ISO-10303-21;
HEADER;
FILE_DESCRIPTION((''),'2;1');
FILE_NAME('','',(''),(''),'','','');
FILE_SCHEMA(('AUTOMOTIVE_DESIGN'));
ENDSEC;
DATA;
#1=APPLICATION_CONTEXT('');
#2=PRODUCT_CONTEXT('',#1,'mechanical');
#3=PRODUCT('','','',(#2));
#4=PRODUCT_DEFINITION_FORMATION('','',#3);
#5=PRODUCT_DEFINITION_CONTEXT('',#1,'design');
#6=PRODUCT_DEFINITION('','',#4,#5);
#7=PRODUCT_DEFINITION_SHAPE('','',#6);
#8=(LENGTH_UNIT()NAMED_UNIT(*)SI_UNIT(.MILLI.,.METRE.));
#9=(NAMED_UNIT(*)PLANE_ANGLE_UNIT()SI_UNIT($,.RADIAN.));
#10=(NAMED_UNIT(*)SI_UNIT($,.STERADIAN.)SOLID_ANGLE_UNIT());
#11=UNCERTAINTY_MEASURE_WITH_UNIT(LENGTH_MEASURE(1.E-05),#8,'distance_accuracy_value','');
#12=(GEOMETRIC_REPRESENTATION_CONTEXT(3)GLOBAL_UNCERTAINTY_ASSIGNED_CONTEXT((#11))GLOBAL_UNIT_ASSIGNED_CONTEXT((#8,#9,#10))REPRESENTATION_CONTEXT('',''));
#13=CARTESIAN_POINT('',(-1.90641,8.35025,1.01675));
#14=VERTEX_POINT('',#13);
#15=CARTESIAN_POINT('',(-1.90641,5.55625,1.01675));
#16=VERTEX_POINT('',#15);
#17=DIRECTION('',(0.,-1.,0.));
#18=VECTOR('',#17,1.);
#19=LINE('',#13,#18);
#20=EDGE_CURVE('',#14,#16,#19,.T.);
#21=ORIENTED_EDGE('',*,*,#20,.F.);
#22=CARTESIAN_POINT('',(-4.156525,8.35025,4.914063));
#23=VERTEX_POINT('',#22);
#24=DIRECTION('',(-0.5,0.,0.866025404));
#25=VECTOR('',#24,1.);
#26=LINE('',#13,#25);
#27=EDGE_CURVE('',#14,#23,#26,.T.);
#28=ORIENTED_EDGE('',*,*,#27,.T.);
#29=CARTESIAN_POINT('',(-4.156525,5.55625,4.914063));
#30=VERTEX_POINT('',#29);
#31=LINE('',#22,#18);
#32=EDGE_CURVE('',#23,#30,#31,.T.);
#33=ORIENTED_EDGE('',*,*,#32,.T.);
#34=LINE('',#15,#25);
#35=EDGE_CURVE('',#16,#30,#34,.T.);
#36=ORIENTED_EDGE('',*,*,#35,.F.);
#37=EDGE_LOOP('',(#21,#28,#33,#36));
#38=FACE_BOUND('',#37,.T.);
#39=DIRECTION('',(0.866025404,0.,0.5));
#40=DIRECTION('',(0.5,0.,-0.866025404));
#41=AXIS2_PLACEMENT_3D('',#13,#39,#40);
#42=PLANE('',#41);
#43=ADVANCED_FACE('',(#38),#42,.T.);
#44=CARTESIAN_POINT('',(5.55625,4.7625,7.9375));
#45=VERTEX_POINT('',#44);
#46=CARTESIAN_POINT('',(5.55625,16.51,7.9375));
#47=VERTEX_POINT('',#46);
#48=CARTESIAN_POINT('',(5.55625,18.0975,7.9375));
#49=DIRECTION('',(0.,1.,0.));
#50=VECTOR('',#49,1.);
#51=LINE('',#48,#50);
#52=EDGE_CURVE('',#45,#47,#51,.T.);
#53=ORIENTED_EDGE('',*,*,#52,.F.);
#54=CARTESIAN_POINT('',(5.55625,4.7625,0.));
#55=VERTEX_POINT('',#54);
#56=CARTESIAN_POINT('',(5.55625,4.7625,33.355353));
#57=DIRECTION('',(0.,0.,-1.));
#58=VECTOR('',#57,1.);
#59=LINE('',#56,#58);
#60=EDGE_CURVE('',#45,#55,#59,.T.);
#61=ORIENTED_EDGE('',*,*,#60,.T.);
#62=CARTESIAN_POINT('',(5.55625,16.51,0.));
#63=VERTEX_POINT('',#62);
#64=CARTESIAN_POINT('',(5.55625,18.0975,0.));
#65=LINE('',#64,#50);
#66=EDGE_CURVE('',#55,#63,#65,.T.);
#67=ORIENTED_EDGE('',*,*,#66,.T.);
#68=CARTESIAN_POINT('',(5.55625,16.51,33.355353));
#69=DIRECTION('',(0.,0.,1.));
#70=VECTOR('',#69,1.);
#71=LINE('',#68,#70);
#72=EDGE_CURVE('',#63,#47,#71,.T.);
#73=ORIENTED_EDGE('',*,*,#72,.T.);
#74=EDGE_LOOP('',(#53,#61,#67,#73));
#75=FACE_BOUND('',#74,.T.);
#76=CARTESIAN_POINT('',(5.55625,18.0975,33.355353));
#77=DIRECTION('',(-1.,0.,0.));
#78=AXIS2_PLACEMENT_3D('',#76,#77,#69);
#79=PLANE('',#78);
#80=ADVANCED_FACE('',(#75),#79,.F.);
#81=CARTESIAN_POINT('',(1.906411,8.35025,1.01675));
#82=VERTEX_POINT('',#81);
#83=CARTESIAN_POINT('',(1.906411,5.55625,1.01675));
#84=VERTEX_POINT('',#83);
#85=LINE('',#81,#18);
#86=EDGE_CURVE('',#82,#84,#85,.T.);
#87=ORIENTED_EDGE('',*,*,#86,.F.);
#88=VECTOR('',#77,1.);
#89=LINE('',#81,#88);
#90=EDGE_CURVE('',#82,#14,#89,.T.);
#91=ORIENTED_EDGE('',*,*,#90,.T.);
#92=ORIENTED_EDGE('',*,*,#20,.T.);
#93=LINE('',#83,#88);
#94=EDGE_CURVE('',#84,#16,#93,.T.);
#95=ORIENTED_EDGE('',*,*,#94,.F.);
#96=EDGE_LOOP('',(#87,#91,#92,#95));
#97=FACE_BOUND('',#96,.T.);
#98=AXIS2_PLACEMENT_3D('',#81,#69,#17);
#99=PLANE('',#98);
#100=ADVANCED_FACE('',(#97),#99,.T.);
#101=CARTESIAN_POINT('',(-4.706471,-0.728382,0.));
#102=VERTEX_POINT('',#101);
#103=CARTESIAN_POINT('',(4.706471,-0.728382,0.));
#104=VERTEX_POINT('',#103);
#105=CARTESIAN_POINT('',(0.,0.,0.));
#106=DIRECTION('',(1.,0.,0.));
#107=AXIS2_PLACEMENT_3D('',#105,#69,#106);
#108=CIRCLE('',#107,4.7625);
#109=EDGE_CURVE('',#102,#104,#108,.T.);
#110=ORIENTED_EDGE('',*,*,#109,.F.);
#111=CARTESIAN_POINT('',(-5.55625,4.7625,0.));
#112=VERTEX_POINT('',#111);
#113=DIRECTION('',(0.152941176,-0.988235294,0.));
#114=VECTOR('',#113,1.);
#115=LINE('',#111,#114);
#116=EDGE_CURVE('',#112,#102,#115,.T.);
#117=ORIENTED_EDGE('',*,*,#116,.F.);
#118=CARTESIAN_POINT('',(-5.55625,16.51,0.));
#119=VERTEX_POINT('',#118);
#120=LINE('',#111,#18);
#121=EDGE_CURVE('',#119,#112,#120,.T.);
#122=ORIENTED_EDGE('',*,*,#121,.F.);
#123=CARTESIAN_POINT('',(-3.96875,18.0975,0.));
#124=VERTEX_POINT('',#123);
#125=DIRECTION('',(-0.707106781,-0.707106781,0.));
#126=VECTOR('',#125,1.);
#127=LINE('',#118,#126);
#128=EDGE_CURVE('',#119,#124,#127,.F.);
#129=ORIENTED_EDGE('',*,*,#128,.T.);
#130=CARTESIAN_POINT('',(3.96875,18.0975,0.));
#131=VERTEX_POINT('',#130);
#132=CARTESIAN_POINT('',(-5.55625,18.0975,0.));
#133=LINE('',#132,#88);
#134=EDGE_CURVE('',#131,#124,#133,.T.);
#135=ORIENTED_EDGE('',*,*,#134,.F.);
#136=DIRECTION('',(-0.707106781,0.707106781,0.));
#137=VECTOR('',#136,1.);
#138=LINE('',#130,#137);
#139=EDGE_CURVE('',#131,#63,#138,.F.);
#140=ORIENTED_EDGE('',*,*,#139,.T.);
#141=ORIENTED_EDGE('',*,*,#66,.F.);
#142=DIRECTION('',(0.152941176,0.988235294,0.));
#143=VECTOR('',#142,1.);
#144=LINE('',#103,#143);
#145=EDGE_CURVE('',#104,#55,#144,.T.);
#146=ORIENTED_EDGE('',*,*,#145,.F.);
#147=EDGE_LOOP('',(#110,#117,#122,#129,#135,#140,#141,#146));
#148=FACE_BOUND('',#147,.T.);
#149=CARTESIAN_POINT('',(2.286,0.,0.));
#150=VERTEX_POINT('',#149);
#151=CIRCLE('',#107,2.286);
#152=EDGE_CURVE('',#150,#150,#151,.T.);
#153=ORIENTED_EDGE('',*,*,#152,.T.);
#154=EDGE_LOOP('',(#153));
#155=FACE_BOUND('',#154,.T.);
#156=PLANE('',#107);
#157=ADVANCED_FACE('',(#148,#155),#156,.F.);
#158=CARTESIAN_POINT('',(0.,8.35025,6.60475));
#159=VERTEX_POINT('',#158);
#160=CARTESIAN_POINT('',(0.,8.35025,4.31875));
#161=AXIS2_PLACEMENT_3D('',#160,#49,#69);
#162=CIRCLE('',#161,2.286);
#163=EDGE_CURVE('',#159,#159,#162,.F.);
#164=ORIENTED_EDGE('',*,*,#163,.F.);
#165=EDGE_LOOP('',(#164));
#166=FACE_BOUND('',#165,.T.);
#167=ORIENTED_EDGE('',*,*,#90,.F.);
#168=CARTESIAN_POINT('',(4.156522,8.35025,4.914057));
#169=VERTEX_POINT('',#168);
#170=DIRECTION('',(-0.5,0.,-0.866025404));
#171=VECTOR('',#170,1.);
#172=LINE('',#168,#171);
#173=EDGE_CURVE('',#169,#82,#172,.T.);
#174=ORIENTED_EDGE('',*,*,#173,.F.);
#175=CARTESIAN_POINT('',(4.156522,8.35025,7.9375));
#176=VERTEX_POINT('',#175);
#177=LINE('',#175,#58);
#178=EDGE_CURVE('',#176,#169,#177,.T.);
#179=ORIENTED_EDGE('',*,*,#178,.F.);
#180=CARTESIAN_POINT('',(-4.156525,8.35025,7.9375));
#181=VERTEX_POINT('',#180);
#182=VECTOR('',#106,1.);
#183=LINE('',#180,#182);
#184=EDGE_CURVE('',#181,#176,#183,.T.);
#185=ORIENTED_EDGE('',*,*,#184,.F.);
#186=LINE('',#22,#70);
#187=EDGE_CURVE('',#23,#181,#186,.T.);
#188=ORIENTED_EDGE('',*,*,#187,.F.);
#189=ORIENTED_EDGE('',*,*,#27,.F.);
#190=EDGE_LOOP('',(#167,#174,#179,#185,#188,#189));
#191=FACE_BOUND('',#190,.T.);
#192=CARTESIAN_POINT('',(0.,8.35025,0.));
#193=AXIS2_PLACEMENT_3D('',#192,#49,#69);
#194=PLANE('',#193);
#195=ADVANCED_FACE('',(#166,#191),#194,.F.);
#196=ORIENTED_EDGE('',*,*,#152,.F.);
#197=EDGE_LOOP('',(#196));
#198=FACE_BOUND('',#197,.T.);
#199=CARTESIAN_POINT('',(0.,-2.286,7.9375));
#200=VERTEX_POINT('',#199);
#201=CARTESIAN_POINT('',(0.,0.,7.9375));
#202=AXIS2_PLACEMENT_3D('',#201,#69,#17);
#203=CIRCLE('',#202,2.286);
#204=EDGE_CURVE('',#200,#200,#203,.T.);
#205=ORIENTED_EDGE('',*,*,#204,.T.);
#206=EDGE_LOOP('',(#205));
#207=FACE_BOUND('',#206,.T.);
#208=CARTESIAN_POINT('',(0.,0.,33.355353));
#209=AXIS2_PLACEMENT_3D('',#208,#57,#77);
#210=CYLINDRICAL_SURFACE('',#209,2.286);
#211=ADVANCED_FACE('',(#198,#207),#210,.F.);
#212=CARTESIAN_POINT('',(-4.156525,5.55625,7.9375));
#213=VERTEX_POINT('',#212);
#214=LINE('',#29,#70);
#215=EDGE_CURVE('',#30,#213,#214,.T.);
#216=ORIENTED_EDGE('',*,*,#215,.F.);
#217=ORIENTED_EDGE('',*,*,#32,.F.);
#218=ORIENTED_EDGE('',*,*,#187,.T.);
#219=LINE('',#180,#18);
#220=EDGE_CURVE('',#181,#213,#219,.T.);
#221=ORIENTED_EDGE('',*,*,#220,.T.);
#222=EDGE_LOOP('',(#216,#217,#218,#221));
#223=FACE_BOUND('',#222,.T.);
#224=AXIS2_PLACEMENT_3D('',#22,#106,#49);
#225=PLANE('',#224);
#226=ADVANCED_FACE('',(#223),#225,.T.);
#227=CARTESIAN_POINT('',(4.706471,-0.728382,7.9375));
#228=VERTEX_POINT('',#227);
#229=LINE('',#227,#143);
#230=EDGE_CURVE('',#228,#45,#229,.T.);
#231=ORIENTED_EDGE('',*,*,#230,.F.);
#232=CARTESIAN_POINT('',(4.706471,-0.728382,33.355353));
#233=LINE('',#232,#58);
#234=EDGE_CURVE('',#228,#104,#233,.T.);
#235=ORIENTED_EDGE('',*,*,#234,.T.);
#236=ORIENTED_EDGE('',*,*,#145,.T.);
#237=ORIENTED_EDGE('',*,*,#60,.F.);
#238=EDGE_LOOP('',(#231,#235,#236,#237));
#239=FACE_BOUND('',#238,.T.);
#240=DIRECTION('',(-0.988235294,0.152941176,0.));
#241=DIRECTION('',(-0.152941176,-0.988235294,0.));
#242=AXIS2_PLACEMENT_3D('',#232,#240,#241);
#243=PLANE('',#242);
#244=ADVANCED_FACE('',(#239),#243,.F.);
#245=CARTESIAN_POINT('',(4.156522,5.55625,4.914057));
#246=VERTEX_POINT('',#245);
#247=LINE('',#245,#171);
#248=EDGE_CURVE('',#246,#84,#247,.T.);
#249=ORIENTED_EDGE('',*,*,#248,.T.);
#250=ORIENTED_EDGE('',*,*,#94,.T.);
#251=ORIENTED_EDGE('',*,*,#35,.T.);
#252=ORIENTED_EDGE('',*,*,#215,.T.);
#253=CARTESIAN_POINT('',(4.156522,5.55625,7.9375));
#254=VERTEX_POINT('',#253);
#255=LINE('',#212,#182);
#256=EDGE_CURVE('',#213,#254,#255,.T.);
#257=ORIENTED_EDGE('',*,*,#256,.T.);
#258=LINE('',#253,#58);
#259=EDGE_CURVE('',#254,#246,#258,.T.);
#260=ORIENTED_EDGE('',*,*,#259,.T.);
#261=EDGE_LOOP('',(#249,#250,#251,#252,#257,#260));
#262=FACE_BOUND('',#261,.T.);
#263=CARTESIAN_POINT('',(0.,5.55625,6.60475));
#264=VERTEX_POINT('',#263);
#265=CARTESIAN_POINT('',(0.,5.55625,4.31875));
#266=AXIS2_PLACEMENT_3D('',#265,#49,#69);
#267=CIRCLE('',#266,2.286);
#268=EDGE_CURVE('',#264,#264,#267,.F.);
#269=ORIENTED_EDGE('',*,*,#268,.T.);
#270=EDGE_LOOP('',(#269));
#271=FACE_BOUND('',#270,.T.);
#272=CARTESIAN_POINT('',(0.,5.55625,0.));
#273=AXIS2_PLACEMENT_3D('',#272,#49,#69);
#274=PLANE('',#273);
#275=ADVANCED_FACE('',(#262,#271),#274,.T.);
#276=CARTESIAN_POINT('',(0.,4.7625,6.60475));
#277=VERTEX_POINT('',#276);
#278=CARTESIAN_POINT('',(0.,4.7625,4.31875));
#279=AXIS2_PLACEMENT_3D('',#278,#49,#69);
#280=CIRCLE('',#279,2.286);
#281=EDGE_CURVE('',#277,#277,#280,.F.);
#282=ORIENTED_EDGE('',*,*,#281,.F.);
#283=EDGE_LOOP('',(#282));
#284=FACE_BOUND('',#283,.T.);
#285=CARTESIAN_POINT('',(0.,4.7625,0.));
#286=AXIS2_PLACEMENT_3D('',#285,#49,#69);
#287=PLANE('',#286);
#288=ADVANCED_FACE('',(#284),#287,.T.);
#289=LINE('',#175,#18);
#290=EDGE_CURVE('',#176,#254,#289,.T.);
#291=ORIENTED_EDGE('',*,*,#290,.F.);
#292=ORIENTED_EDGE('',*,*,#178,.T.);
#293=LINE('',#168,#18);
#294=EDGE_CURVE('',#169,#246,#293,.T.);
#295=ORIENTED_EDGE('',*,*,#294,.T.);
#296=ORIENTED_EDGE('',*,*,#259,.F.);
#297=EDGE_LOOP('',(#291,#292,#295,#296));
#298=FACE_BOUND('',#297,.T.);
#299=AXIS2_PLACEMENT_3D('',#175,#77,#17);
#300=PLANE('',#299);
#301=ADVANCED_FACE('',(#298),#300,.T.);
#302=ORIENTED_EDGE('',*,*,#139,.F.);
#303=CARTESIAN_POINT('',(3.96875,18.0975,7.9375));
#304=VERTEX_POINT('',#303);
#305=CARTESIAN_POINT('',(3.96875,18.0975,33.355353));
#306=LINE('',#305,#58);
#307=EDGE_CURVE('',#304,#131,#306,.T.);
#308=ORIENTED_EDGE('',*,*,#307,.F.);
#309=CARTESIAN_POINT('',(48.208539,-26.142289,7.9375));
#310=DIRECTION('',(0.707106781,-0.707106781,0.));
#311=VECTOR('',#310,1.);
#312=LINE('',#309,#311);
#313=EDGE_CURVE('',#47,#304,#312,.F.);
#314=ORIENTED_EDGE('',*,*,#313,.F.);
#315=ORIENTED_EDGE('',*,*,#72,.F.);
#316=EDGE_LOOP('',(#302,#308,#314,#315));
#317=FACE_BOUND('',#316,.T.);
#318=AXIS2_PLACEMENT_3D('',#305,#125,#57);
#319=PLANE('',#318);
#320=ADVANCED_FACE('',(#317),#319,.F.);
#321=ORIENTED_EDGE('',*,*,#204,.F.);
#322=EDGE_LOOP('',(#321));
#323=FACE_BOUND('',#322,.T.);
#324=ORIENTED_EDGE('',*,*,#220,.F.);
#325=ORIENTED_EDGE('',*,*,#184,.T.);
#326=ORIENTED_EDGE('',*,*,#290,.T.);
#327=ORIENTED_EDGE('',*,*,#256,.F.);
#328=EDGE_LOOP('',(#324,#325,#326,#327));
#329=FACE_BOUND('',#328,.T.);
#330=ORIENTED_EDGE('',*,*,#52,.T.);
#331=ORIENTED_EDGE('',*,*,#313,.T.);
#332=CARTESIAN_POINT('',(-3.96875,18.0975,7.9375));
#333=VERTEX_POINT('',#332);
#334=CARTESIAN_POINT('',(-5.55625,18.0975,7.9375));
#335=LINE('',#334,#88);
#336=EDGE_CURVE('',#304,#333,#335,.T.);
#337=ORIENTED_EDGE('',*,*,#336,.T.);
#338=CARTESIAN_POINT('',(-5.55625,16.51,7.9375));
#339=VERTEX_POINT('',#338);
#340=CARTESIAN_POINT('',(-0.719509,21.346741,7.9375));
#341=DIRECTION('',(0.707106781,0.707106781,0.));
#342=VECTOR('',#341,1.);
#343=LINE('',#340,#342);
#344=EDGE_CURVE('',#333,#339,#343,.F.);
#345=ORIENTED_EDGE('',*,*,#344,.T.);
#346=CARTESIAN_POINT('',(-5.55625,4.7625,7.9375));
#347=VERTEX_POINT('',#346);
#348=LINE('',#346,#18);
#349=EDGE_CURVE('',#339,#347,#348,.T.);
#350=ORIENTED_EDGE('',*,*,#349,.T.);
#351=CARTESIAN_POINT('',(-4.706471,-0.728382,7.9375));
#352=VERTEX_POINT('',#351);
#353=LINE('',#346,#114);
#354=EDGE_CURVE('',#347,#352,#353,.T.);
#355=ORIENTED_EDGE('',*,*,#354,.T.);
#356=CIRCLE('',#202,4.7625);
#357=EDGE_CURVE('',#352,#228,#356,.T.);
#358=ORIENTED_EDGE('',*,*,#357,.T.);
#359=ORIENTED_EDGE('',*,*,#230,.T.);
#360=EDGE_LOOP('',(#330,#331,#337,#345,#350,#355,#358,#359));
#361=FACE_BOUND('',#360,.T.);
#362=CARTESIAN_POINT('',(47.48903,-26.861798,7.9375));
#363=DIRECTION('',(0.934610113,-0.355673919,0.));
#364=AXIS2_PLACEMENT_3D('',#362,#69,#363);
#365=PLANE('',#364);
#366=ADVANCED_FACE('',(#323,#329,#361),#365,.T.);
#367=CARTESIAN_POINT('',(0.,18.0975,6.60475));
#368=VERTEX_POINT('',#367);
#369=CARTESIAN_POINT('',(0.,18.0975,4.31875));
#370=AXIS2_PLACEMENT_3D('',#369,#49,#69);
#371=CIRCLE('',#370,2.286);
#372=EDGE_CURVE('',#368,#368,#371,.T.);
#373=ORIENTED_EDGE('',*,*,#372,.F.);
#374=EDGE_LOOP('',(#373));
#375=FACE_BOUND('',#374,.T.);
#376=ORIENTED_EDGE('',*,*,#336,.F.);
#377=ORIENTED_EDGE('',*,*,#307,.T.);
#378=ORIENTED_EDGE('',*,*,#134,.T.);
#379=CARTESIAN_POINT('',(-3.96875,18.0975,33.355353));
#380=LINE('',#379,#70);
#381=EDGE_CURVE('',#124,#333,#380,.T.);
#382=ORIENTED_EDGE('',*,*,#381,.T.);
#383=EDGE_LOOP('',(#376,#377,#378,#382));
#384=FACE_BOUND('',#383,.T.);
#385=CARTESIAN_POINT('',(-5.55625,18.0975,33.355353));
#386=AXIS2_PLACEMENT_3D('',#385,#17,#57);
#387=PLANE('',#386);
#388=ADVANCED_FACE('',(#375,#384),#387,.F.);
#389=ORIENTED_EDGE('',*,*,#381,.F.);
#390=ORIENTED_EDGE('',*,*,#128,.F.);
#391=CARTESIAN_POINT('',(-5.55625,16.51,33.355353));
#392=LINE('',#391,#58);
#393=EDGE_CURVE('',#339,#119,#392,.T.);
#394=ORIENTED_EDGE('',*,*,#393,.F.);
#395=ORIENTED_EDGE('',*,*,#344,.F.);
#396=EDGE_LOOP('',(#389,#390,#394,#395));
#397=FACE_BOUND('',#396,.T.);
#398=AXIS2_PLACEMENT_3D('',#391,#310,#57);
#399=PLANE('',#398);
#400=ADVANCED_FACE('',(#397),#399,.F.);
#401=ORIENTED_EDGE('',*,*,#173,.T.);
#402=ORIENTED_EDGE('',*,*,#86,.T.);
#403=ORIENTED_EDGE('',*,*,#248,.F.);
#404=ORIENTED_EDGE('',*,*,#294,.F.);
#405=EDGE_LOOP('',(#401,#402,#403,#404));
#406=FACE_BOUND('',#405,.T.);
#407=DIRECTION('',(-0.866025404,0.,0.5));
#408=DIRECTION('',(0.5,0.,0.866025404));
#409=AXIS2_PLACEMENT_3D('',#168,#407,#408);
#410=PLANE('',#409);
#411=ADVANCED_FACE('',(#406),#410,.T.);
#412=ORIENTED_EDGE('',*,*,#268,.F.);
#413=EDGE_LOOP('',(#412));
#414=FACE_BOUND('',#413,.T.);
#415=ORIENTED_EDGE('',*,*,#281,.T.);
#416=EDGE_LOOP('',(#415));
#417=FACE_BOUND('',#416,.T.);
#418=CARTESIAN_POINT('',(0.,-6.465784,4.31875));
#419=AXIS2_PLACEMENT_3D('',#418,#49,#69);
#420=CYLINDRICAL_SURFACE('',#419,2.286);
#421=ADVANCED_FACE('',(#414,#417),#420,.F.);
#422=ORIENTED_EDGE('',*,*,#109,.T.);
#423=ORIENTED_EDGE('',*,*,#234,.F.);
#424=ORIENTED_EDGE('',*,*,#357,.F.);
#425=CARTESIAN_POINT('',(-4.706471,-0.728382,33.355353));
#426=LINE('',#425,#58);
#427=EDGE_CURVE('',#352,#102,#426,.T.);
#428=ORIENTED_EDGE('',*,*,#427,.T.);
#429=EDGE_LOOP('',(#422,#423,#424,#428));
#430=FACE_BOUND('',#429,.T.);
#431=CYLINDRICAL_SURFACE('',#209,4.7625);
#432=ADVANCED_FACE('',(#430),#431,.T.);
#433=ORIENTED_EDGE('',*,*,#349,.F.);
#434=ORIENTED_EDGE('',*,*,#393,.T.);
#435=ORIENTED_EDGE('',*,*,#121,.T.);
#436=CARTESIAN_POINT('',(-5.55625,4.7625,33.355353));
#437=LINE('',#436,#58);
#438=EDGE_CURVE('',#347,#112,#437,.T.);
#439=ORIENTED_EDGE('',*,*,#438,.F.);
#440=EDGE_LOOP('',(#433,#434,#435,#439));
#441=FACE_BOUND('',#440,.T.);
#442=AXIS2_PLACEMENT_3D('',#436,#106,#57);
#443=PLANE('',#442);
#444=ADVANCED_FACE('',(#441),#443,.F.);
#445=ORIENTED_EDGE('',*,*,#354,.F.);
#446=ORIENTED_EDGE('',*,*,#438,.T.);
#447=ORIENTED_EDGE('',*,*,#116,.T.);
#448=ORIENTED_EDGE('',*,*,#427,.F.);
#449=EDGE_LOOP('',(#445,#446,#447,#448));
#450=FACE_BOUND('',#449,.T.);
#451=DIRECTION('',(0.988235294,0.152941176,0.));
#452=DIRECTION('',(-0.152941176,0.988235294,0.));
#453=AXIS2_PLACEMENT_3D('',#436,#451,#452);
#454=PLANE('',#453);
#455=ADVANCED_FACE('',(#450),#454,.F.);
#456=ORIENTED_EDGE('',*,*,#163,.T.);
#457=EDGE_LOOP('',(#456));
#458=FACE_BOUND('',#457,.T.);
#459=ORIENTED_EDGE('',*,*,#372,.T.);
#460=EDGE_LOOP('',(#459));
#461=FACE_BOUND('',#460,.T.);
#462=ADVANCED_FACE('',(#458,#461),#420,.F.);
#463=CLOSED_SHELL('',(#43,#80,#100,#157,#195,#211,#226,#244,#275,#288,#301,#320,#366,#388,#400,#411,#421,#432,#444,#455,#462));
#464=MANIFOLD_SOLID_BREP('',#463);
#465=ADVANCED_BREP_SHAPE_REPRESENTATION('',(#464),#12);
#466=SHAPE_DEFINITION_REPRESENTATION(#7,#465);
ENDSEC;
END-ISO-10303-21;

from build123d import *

# Parameters (mm, degrees)
SKETCH1_R           = 2.286
BOSS_EXTRUDE1_DEPTH = 7.9375
SKETCH2_R           = 2.286
CUT_EXTRUDE1_DEPTH  = 13.335
CUT_EXTRUDE2_START  = 0.79375
CUT_EXTRUDE2_DEPTH  = 2.794
CHAMFER1_SIZE       = 1.5875


with BuildPart() as part:
    # Sketch1 → Boss-Extrude1 (new body)
    with BuildSketch(Plane.XY):
        with BuildLine():
            Line((-5.55625, 4.7625), (-5.55625, 18.0975))
            Line((-5.55625, 18.0975), (5.55625, 18.0975))
            Line((5.55625, 18.0975), (5.55625, 4.7625))
            Line((5.55625, 4.7625), (4.706470588, -0.728382353))
            ThreePointArc((4.706470588, -0.728382353), (0, -4.7625), (-4.706470588, -0.728382353))
            Line((-4.706470588, -0.728382353), (-5.55625, 4.7625))
        make_face()
        with Locations(Location((0, 0, 0), (0, 0, 270))):
            Circle(SKETCH1_R, mode=Mode.SUBTRACT)
    extrude(amount=BOSS_EXTRUDE1_DEPTH)

    # Sketch2 → Cut-Extrude1 (cut)
    with BuildSketch(Plane(origin=(0, 18.0975, 0), x_dir=(1, 0, 0), z_dir=(0, 1, 0))):
        with Locations(Location((2.54e-07, -4.318750409, 0), (0, 0, 270))):
            Circle(SKETCH2_R)
    extrude(amount=-CUT_EXTRUDE1_DEPTH, mode=Mode.SUBTRACT)

    # Sketch3 → Cut-Extrude2 (cut)
    with BuildSketch(Plane(origin=(0, 4.7625, 0), x_dir=(1, 0, 0), z_dir=(0, 1, 0)).offset(CUT_EXTRUDE2_START)):
        Polygon((-1.906410334, -1.016750409), (-4.156524955, -4.914063255), (-4.156524955, -7.9375), (4.156521786, -7.9375), (4.156521786, -4.914056884), (1.906410843, -1.016750409), align=None)
    extrude(amount=CUT_EXTRUDE2_DEPTH, mode=Mode.SUBTRACT)

    # Chamfer1
    chamfer1_edges = [part.edges().sort_by_distance(p)[0] for p in [
        (-5.55625, 18.0975, 3.96875),
        (5.55625, 18.0975, 3.96875),
    ]]
    chamfer(chamfer1_edges, length=CHAMFER1_SIZE)


solid = part.part
